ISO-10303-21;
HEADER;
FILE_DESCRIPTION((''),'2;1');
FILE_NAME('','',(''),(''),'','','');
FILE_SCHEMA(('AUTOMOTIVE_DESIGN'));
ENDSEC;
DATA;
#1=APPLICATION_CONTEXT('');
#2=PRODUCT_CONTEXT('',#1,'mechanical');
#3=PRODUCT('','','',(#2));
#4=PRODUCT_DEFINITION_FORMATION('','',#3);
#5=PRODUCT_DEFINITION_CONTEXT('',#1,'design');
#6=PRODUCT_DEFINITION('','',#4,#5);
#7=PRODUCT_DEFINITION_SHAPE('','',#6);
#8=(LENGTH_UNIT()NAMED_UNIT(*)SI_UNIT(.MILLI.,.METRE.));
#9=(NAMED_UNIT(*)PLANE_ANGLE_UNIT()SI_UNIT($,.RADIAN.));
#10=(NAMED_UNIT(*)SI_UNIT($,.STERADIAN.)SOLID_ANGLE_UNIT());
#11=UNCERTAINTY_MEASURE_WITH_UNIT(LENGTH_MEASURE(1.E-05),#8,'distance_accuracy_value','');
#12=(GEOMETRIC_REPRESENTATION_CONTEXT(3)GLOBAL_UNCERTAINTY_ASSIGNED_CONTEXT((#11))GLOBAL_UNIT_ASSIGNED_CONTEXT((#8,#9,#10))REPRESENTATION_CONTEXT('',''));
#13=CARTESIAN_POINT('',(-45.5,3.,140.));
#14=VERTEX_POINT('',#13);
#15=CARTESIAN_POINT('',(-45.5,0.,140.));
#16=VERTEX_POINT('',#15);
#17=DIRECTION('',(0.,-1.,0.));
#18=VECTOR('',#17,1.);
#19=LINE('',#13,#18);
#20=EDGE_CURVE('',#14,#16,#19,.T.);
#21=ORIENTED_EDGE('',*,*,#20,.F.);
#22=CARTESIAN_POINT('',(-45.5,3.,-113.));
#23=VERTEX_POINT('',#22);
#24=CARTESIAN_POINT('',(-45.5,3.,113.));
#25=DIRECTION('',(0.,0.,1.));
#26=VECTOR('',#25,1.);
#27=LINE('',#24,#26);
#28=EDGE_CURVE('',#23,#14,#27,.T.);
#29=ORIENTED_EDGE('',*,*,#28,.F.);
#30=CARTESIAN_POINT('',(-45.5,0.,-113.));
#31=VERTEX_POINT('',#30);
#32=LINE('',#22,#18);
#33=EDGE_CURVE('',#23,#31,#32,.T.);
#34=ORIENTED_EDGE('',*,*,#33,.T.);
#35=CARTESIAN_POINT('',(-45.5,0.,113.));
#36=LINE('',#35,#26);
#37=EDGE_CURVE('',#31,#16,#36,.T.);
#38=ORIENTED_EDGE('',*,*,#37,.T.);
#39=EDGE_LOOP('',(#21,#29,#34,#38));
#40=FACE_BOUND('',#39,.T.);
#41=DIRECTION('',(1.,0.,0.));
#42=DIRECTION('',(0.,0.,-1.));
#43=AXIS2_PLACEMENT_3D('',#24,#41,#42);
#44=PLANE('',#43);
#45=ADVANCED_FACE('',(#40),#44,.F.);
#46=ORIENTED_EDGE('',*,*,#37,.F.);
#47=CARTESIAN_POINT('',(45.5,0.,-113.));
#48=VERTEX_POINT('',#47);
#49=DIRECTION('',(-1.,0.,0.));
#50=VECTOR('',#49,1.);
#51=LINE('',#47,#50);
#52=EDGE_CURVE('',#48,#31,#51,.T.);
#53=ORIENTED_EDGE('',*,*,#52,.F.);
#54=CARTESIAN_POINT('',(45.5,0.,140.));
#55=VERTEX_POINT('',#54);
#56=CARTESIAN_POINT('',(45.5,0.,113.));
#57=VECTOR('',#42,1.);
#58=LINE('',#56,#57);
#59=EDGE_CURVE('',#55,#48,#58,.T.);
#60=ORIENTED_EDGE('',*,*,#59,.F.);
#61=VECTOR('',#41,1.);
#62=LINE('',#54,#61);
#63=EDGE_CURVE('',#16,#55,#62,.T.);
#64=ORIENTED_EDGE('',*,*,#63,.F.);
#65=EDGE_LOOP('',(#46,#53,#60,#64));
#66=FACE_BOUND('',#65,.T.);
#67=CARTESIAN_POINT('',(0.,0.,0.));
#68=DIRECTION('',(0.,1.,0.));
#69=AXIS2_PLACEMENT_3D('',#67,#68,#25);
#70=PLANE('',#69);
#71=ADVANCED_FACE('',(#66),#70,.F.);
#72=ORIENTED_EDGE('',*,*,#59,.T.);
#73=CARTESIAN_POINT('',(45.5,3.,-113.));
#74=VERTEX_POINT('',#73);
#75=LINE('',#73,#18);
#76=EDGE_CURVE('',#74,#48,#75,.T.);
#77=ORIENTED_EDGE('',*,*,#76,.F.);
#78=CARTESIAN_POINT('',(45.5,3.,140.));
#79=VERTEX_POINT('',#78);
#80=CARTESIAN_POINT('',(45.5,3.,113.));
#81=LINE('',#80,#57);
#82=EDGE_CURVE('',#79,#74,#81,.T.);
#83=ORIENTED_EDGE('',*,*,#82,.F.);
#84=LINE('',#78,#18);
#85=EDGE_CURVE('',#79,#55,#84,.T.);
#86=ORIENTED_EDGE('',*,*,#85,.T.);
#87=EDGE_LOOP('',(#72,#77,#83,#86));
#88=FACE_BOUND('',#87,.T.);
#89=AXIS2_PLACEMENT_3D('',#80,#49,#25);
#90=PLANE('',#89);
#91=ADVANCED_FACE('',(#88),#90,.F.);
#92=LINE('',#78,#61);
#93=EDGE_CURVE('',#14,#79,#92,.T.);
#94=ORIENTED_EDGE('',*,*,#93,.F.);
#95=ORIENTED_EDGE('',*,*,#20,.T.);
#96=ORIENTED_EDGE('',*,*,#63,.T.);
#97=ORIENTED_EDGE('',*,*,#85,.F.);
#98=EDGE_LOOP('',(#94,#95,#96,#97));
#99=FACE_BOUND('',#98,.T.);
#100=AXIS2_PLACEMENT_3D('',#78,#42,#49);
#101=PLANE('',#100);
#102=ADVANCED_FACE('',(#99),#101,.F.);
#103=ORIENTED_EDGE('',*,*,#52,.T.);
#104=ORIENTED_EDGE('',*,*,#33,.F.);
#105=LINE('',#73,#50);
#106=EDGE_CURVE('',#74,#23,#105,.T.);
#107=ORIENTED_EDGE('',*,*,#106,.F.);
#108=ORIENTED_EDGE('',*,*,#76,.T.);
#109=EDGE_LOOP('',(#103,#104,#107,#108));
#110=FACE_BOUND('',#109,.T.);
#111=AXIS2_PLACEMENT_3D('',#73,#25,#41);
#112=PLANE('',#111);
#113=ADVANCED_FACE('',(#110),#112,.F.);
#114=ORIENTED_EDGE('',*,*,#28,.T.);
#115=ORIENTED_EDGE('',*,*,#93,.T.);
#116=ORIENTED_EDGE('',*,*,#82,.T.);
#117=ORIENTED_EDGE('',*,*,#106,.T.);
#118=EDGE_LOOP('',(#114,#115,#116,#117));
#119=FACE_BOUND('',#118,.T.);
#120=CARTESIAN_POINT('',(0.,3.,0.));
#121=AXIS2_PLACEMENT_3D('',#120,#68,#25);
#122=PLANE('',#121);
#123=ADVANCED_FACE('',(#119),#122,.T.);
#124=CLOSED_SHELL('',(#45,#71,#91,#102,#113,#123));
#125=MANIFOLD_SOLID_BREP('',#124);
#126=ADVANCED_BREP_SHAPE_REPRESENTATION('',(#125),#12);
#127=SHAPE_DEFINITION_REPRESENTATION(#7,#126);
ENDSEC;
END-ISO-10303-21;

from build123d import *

# Parameters (mm, degrees)
SKETCH1_W           = 91
SKETCH1_H           = 226
BOSS_EXTRUDE1_DEPTH = 3
MOVE_FACE1_BY       = 27


with BuildPart() as part:
    # Sketch1 → Boss-Extrude1 (new body)
    with BuildSketch(Plane(origin=(0, 0, 0), x_dir=(1, 0, 0), z_dir=(0, 1, 0))):
        Rectangle(SKETCH1_W, SKETCH1_H)
    extrude(amount=BOSS_EXTRUDE1_DEPTH)

    # Move Face1: a face moved outward by 27.0
    extrude(part.faces().sort_by_distance((0, 1.5, 113))[0], amount=MOVE_FACE1_BY, dir=(0, 0, 1))


solid = part.part
